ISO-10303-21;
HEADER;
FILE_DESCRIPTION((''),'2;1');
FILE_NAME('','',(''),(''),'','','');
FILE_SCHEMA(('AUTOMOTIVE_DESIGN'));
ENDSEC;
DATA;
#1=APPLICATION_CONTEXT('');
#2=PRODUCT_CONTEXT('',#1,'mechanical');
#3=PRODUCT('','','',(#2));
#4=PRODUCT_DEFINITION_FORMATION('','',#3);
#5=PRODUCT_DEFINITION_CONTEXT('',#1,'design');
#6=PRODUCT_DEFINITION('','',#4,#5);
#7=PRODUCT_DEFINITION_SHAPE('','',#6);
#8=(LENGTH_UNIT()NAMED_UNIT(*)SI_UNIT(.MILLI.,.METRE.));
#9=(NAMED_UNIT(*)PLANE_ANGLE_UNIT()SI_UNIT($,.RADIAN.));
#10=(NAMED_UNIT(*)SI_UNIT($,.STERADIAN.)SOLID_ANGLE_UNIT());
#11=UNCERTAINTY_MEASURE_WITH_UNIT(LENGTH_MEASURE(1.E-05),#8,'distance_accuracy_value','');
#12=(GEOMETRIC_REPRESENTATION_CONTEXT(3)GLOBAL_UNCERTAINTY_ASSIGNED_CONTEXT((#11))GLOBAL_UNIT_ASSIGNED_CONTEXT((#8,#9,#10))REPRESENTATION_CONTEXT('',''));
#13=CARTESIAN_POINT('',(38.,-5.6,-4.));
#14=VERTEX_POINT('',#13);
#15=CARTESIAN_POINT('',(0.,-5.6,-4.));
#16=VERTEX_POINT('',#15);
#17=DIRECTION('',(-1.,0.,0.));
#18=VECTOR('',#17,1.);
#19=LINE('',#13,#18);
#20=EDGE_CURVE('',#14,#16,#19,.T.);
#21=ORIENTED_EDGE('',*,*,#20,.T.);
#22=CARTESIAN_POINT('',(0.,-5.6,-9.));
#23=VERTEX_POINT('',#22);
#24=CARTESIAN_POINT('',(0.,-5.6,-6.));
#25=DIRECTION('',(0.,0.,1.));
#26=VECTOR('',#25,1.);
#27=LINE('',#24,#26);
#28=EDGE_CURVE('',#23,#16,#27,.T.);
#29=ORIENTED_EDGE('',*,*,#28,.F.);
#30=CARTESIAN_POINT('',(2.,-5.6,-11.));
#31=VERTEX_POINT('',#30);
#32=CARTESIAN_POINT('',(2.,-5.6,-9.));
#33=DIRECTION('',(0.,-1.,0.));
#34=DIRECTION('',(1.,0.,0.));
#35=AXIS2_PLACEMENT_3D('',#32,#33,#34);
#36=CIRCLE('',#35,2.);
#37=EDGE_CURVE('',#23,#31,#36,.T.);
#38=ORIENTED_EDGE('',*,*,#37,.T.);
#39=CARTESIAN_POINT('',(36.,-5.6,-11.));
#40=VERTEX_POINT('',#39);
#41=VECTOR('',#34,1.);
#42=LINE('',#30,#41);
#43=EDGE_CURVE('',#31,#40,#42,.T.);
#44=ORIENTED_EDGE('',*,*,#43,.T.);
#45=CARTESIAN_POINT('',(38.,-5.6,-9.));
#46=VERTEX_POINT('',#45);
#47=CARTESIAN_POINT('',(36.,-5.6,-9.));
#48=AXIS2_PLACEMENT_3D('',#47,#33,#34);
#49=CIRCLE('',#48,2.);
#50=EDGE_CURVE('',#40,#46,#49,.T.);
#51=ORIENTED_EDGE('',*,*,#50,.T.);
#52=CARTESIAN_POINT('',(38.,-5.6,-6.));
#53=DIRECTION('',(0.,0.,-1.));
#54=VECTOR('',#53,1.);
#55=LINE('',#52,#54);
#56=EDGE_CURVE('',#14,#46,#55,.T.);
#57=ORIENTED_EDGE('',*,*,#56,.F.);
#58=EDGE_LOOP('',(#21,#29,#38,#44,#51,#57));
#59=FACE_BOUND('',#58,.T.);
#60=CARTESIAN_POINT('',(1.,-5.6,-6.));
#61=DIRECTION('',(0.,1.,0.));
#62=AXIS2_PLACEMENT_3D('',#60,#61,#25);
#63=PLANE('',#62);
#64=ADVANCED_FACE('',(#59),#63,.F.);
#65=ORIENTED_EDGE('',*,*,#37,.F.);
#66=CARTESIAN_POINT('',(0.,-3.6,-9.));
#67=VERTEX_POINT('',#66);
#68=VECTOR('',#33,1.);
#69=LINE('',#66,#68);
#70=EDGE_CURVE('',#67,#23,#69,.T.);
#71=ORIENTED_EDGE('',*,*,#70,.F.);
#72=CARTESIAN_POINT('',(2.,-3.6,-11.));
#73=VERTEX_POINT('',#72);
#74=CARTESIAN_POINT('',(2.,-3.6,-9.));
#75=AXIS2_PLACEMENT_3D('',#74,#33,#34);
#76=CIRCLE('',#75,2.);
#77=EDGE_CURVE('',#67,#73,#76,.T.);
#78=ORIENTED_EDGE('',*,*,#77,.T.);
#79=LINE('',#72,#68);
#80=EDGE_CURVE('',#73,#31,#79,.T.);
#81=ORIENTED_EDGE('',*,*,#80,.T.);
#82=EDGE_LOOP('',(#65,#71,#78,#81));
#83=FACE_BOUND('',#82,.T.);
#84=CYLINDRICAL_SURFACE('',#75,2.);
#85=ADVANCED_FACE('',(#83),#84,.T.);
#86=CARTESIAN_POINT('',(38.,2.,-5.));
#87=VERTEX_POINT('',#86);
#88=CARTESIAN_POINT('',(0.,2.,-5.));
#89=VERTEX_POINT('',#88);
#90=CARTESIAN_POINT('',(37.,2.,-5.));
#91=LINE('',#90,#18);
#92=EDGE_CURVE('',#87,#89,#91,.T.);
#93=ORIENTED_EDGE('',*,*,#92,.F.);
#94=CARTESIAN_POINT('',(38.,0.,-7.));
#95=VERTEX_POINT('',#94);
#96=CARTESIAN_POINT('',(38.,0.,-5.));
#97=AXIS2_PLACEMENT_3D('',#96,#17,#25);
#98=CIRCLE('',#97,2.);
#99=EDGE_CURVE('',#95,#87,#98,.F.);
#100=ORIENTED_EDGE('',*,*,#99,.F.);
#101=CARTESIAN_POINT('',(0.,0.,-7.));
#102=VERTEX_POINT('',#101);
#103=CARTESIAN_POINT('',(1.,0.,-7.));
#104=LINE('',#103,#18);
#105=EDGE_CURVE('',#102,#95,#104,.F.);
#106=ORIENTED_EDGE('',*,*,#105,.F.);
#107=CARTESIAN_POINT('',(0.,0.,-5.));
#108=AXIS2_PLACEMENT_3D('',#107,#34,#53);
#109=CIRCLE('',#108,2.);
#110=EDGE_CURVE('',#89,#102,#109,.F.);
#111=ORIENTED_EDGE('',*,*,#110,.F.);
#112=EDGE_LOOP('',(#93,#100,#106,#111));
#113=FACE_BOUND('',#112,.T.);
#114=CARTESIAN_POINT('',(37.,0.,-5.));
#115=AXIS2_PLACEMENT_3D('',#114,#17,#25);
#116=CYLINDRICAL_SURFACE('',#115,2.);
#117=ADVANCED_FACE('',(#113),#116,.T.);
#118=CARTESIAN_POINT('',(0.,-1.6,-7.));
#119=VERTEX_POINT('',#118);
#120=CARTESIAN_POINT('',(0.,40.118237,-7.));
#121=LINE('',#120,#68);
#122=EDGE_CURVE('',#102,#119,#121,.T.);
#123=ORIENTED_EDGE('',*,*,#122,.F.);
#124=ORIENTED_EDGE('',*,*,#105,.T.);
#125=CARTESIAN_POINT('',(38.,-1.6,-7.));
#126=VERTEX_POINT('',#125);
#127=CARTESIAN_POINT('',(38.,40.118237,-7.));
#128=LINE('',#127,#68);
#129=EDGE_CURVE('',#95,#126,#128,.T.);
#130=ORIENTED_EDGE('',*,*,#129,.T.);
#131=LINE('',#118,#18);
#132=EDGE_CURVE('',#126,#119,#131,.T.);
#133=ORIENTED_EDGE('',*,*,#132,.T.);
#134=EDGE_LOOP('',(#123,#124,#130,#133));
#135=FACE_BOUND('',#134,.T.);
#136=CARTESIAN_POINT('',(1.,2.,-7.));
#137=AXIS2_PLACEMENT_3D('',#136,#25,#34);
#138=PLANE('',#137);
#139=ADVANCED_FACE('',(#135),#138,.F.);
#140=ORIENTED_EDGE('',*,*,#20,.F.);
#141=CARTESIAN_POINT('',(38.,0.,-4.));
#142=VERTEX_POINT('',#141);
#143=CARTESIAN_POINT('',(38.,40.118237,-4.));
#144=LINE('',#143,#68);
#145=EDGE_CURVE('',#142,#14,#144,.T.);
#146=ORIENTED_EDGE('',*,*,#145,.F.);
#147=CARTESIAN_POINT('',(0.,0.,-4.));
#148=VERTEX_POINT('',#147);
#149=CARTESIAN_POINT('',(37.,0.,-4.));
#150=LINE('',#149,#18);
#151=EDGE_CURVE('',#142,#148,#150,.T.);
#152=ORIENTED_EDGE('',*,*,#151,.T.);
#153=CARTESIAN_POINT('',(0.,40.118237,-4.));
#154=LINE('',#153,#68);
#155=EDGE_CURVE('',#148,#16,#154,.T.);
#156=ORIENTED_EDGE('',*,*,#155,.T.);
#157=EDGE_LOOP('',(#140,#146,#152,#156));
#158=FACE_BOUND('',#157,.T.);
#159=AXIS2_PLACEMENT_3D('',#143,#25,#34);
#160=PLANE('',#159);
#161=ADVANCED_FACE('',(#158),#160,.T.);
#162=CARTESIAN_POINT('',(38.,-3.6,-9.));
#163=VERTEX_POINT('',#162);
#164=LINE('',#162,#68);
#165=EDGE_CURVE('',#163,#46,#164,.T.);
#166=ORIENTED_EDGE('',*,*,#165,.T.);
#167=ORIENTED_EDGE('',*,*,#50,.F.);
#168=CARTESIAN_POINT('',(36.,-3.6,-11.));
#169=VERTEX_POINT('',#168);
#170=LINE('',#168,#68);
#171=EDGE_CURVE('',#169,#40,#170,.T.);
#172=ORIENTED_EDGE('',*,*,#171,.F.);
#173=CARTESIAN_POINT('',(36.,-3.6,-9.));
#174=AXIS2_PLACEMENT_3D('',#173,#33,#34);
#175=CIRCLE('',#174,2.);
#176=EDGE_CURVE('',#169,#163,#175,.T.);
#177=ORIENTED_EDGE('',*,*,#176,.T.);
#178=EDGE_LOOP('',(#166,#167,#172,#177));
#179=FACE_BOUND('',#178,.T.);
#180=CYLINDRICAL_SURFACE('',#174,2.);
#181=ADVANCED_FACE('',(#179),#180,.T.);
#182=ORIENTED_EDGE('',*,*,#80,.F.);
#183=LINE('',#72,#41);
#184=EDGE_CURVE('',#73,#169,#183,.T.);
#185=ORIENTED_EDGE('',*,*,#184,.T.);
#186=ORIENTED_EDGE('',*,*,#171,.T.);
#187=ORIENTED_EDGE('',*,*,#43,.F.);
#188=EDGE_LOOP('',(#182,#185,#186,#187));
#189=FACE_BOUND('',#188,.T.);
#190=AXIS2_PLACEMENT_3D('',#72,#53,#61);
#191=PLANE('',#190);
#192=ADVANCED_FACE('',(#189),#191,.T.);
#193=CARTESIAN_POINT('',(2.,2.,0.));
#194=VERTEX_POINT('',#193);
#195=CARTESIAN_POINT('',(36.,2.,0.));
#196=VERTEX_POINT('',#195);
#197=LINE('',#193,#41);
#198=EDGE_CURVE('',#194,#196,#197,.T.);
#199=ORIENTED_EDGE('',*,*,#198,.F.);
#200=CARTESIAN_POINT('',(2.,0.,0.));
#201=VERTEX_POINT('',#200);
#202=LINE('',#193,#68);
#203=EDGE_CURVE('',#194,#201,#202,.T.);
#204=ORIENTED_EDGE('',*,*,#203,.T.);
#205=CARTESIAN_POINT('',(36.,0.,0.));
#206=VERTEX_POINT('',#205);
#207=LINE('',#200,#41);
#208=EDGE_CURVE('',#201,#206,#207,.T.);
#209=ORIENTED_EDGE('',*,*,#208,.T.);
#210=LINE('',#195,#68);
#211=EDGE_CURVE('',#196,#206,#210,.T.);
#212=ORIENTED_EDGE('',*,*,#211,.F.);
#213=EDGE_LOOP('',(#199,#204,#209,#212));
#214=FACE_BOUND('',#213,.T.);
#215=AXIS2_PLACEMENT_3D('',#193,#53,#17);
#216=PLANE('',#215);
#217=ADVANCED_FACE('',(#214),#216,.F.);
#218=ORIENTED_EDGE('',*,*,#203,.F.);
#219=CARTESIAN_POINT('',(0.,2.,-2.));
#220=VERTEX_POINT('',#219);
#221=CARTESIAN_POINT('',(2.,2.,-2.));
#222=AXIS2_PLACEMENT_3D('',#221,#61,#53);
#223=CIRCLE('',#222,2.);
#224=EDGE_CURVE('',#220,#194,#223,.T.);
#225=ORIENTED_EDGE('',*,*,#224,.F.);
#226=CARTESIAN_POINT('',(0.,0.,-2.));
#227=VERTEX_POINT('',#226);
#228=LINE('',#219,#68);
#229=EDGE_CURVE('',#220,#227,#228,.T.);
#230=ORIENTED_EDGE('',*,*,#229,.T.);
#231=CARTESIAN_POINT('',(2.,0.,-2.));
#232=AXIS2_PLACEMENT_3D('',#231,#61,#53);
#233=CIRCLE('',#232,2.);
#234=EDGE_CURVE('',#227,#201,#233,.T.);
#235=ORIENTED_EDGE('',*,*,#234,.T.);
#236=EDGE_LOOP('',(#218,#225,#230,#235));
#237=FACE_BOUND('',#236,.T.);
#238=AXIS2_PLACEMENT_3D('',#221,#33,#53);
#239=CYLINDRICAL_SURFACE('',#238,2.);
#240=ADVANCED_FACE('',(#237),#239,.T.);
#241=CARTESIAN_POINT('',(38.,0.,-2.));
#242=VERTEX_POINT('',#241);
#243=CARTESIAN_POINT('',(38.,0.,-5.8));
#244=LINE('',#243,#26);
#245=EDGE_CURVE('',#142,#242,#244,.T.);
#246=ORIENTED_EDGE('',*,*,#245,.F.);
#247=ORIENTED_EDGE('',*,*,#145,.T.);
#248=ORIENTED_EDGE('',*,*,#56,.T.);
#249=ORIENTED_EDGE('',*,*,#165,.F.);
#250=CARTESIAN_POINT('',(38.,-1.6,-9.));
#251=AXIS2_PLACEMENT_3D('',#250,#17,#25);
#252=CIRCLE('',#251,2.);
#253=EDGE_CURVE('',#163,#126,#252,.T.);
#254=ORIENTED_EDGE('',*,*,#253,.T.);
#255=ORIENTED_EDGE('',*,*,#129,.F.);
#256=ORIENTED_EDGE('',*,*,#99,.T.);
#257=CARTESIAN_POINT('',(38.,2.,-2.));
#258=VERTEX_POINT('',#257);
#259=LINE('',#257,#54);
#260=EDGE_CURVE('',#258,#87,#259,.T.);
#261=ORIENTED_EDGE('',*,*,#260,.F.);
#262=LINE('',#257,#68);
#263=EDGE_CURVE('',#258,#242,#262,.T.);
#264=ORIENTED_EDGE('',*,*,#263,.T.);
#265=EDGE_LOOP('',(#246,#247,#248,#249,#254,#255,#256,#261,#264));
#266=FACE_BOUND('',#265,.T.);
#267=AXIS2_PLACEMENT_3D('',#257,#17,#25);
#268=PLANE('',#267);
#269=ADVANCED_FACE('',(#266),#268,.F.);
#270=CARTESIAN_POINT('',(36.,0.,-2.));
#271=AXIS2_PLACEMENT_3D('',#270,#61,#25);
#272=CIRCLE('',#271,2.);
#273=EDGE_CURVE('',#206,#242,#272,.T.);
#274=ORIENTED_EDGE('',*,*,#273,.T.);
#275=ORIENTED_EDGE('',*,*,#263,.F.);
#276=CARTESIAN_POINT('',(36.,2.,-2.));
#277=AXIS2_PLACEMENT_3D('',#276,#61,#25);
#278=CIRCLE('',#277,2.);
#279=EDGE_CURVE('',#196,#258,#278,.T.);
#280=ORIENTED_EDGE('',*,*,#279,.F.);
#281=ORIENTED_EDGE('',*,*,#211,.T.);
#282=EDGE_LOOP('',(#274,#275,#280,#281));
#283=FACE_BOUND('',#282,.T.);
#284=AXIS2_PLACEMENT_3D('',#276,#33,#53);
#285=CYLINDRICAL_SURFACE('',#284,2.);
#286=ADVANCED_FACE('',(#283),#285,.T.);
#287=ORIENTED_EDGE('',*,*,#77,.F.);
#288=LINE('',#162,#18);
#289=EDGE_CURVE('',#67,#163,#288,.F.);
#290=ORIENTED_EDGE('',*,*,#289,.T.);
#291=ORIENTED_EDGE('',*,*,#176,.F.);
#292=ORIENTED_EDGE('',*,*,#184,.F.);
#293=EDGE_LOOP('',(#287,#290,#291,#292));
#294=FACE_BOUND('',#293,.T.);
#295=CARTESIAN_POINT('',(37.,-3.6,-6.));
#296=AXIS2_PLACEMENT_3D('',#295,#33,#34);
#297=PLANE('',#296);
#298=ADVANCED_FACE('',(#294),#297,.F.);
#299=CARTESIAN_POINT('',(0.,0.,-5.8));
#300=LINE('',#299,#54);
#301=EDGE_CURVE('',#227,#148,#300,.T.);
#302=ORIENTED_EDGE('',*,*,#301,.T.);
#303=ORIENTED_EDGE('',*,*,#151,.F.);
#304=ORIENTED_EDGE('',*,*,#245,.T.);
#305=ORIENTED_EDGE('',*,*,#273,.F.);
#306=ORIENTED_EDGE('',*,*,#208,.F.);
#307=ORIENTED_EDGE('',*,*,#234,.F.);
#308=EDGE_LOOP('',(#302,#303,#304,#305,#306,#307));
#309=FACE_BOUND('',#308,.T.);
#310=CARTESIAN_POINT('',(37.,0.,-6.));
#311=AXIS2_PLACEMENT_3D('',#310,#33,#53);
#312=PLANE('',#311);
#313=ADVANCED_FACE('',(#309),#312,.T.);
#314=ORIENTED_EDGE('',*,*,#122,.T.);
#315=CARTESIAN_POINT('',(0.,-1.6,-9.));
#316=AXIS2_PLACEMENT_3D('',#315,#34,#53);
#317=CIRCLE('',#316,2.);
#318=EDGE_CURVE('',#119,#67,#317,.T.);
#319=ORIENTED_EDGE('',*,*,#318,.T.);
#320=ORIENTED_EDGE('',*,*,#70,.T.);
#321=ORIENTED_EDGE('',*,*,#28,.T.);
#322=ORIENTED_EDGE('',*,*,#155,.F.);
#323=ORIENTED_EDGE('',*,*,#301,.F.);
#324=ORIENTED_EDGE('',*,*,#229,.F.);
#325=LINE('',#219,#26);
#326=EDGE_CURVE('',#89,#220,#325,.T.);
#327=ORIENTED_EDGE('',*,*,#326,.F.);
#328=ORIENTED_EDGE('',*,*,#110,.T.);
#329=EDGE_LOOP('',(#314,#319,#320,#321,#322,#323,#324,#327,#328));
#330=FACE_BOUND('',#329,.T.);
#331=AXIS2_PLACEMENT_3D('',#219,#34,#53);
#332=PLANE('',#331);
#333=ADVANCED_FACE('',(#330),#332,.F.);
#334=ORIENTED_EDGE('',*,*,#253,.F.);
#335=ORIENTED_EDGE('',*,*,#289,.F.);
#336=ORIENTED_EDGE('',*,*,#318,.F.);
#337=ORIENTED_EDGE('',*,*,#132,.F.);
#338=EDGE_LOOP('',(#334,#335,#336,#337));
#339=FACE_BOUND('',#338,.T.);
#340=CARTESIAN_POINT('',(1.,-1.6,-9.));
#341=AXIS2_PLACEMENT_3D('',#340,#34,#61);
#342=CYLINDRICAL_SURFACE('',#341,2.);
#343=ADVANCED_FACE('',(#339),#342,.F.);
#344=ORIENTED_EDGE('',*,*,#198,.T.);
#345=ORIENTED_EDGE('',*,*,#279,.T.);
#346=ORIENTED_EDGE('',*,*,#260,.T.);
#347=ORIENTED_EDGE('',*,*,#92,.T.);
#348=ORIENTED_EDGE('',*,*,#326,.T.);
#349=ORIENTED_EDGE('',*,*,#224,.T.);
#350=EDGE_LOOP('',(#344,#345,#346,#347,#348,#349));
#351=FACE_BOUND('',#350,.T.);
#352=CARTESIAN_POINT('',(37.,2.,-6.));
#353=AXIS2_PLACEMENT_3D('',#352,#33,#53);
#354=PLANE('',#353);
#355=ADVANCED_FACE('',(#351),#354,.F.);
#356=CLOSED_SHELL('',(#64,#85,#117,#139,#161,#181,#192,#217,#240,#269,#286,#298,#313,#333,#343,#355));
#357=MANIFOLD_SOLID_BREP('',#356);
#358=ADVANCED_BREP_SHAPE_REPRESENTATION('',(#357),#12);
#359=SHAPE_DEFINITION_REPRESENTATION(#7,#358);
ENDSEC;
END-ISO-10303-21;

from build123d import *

# Parameters (mm, degrees)
BOSS_EXTRUDE1_DEPTH = 2
BOSS_EXTRUDE2_START = -7.6
BOSS_EXTRUDE2_DEPTH = 7.6
BOSS_EXTRUDE3_DEPTH = 2
SKETCH5_W           = 38
SKETCH5_H           = 5.8
CUT_EXTRUDE1_DEPTH  = 40.954474092
SKETCH6_W           = 38
SKETCH6_H           = 3
BOSS_EXTRUDE4_DEPTH = 7.6
FILLET1_R           = 2


with BuildPart() as part:
    # Sketch1 → Boss-Extrude1 (new body)
    with BuildSketch(Plane(origin=(0, 0, 0), x_dir=(1, 0, 0), z_dir=(0, 1, 0))):
        with BuildLine():
            Line((2, 0), (36, 0))
            ThreePointArc((36, 0), (37.414213562, 0.585786438), (38, 2))
            Line((38, 2), (38, 6))
            ThreePointArc((38, 6), (37.707106781, 6.707106781), (37, 7))
            Line((37, 7), (1, 7))
            ThreePointArc((1, 7), (0.292893219, 6.707106781), (0, 6))
            Line((0, 6), (0, 2))
            ThreePointArc((0, 2), (0.585786438, 0.585786438), (2, 0))
        make_face()
    extrude(amount=BOSS_EXTRUDE1_DEPTH)

    # Sketch2 → Boss-Extrude2 (add)
    with BuildSketch(Plane(origin=(0, 2, 0), x_dir=(1, 0, 0), z_dir=(0, 1, 0)).offset(BOSS_EXTRUDE2_START)):
        with BuildLine():
            Line((38, 6), (38, 2))
            ThreePointArc((38, 2), (37.788854382, 1.105572809), (37.2, 0.4))
            Line((37.2, 0.4), (37.2, 5.3))
            ThreePointArc((37.2, 5.3), (37.053553391, 5.653553391), (36.7, 5.8))
            Line((36.7, 5.8), (1.3, 5.8))
            ThreePointArc((1.3, 5.8), (0.946446609, 5.653553391), (0.8, 5.3))
            Line((0.8, 5.3), (0.8, 0.4))
            ThreePointArc((0.8, 0.4), (0.211145618, 1.105572809), (0, 2))
            Line((0, 2), (0, 6))
            ThreePointArc((0, 6), (0.292893219, 6.707106781), (1, 7))
            Line((1, 7), (37, 7))
            ThreePointArc((37, 7), (37.707106781, 6.707106781), (38, 6))
        make_face()
    extrude(amount=BOSS_EXTRUDE2_DEPTH)

    # Sketch4 → Boss-Extrude3 (add)
    with BuildSketch(Plane.XZ.offset(5.6)):
        with BuildLine():
            Line((37, -7), (1, -7))
            ThreePointArc((1, -7), (0.292893219, -6.707106781), (0, -6))
            Line((0, -6), (0, -9))
            ThreePointArc((0, -9), (0.585786438, -10.414213562), (2, -11))
            Line((2, -11), (36, -11))
            ThreePointArc((36, -11), (37.414213562, -10.414213562), (38, -9))
            Line((38, -9), (38, -6))
            ThreePointArc((38, -6), (37.707106781, -6.707106781), (37, -7))
        make_face()
    extrude(amount=-BOSS_EXTRUDE3_DEPTH)

    # Sketch5 → Cut-Extrude1 (cut, through all)
    with BuildSketch(Plane.XZ):
        with Locations((19, -2.9)):
            Rectangle(SKETCH5_W, SKETCH5_H)
    extrude(amount=CUT_EXTRUDE1_DEPTH, mode=Mode.SUBTRACT)

    # Sketch6 → Boss-Extrude4 (add)
    with BuildSketch(Plane.XZ.offset(5.6)):
        with Locations((19, -5.5)):
            Rectangle(SKETCH6_W, SKETCH6_H)
    extrude(amount=-BOSS_EXTRUDE4_DEPTH)

    # Fillet1
    fillet1_edges = [part.edges().sort_by_distance(p)[0] for p in [
        (19, 2, -7),
        (19, -3.6, -7),
    ]]
    fillet(fillet1_edges, radius=FILLET1_R)


solid = part.part
